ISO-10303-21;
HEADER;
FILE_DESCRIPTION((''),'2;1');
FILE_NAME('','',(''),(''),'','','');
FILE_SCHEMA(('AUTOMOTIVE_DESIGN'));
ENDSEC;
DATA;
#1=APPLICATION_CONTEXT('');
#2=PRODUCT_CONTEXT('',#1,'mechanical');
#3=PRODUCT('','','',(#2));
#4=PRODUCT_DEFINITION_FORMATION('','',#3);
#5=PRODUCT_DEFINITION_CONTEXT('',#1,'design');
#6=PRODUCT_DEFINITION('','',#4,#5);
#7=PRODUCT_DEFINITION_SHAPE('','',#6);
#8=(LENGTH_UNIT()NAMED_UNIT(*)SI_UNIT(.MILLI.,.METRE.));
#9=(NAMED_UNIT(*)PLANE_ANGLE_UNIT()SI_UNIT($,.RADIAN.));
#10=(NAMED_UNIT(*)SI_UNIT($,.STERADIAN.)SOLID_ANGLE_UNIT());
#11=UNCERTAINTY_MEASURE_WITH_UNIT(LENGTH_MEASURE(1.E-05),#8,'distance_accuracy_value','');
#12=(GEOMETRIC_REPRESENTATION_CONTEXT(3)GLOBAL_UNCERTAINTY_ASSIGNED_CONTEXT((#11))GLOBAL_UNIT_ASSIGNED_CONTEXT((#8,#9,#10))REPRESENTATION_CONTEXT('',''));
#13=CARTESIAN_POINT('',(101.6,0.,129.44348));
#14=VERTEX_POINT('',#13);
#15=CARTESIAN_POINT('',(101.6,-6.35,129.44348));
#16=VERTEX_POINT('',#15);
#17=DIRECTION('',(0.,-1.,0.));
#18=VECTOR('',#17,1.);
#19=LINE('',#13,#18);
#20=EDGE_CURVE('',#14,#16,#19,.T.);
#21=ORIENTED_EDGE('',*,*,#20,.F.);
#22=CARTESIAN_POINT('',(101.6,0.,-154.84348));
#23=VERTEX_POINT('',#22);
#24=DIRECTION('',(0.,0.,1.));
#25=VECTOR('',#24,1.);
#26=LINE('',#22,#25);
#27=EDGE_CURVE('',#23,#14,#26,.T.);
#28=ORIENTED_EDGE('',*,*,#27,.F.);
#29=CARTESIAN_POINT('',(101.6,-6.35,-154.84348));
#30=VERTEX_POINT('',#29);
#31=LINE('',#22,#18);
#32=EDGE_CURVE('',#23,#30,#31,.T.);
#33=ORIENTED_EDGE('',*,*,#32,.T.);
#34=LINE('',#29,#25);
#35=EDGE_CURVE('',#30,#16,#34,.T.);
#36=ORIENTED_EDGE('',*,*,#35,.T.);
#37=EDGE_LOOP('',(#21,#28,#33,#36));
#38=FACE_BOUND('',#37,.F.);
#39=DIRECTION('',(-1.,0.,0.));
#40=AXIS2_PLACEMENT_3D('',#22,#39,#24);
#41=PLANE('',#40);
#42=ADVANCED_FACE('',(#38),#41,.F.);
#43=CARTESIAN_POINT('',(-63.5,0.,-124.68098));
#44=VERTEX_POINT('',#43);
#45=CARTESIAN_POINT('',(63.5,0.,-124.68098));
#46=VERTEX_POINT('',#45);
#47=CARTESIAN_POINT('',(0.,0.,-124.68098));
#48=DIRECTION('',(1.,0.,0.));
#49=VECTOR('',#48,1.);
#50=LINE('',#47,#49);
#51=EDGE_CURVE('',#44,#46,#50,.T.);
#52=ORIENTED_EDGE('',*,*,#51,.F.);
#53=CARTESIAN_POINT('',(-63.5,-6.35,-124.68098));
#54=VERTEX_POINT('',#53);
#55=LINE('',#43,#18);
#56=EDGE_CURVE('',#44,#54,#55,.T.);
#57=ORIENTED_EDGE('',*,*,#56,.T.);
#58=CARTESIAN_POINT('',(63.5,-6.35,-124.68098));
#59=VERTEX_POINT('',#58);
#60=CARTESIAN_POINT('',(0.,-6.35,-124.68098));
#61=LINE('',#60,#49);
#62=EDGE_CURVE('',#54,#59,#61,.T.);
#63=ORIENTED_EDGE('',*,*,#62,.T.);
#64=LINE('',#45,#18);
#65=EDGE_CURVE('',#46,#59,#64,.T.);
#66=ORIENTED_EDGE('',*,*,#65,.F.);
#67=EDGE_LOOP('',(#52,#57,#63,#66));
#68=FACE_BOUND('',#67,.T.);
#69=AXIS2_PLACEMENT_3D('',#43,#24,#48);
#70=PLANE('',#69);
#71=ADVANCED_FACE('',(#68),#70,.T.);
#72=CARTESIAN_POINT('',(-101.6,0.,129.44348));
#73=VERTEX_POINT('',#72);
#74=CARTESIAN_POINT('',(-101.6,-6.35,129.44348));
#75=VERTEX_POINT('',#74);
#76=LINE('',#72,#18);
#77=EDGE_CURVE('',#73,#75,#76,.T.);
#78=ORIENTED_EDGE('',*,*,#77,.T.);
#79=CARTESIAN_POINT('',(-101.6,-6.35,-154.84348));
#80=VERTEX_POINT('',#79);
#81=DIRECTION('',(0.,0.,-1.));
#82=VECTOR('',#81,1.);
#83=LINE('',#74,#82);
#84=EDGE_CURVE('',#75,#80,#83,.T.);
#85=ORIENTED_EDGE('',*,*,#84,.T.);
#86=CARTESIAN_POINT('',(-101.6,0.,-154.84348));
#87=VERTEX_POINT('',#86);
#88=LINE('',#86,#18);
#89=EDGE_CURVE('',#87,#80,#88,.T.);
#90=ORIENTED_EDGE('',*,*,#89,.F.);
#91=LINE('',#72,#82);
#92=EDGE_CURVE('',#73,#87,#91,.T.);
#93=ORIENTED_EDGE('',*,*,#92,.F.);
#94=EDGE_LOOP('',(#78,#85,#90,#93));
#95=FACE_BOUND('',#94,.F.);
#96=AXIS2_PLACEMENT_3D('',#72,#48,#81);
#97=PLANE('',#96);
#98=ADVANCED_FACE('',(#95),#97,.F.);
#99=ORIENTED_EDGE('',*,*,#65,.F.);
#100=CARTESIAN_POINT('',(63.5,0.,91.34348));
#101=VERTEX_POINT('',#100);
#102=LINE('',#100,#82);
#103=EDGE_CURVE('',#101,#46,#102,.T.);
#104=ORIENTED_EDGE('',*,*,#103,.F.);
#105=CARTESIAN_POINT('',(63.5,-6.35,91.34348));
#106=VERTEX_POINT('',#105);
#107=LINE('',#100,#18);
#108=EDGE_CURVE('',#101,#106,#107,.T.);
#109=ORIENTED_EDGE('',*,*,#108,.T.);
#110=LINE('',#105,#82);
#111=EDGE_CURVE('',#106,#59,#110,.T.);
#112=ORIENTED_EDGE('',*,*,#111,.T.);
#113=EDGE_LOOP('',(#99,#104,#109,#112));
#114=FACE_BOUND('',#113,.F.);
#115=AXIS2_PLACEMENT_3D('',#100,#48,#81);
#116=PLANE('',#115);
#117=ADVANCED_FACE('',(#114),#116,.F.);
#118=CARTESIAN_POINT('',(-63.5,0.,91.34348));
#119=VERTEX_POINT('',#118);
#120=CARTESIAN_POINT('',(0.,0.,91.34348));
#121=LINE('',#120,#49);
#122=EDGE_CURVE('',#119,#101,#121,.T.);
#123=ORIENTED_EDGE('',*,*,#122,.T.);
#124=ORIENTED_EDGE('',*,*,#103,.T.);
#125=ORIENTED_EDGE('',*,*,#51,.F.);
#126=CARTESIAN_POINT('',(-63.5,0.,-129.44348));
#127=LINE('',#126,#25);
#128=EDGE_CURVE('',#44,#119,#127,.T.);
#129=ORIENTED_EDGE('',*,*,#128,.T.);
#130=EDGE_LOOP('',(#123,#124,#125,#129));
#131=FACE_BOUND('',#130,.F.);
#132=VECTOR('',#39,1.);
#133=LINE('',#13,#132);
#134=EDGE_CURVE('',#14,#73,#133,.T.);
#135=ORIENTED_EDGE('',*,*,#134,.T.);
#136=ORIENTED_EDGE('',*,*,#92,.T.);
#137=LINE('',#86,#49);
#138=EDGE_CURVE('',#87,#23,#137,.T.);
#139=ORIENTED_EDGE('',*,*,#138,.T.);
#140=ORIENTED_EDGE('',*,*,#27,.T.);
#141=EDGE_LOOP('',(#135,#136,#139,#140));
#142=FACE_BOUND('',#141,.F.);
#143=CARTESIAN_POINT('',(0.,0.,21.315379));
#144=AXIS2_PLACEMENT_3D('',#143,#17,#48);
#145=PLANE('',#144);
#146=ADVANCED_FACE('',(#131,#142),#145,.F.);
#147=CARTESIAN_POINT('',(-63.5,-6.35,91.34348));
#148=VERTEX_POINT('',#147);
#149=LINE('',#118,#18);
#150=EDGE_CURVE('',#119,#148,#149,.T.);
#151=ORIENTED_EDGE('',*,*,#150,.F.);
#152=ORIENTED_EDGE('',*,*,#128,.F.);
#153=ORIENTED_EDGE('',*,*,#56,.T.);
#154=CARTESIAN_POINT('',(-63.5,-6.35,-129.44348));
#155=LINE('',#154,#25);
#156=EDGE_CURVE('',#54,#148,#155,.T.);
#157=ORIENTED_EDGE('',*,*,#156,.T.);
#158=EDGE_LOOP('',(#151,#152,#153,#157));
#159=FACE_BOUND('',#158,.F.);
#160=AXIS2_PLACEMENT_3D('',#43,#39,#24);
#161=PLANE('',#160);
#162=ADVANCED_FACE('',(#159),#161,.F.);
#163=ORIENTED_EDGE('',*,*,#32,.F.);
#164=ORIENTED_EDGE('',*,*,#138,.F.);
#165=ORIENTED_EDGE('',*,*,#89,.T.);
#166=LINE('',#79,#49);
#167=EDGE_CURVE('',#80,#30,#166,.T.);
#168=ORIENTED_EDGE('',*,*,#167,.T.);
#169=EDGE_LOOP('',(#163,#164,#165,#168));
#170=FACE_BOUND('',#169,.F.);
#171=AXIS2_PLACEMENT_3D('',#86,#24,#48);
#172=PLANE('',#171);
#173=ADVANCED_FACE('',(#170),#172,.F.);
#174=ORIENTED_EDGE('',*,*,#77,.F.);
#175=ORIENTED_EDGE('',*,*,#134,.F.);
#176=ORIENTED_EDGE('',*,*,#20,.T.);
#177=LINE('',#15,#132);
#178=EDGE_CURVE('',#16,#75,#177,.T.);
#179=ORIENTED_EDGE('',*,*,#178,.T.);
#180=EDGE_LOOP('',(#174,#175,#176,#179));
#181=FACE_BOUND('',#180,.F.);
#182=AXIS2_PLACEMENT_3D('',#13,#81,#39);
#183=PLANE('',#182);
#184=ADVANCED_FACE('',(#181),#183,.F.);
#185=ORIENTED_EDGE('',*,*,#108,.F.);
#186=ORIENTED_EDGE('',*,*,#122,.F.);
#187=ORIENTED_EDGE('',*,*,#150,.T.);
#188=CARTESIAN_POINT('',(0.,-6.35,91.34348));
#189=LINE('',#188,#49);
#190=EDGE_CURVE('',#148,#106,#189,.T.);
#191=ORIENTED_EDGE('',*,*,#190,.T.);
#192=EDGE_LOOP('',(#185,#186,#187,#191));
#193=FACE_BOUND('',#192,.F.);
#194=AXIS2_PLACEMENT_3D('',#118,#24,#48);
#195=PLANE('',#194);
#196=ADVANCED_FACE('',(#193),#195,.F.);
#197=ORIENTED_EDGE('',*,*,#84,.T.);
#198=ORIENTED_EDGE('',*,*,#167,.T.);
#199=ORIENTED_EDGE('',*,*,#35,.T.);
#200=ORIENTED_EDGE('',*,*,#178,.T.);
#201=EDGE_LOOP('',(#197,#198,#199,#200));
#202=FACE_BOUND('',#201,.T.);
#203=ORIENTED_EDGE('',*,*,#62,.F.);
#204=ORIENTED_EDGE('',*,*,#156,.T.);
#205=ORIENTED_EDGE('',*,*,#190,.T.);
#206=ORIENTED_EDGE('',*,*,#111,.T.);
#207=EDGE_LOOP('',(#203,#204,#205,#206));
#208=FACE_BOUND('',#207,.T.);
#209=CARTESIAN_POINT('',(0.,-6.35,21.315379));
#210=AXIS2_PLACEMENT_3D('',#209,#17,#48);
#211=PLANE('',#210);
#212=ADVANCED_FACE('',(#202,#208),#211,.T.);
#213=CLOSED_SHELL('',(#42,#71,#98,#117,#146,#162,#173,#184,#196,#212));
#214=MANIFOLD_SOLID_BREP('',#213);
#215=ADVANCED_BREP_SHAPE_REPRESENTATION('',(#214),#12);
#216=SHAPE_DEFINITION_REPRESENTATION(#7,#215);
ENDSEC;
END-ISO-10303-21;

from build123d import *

# Parameters (mm, degrees)
F0_W     = 127
F0_H     = 12.7
F0_H_2   = 4.7625
F1_DEPTH = 6.35


with BuildPart() as f1:
    # F0 (on Front) → F1 (new body)
    with BuildSketch(Plane.XZ):
        Polygon((76.2, -129.44348), (101.6, -129.44348), (101.6, 129.44348), (-101.6, 129.44348), (-101.6, -129.44348), (-76.2, -129.44348), (-76.2, 104.04348), (-63.5, 104.04348), (63.5, 104.04348), (76.2, 104.04348), align=None)
        Polygon((101.6, -154.84348), (101.6, -129.44348), (76.2, -129.44348), (63.5, -129.44348), (-63.5, -129.44348), (-76.2, -129.44348), (-101.6, -129.44348), (-101.6, -154.84348), align=None)
        with Locations((0, 97.69348)):
            Rectangle(F0_W, F0_H)
        Polygon((-76.2, -129.44348), (-63.5, -129.44348), (-63.5, -124.68098), (-63.5, 91.34348), (-63.5, 104.04348), (-76.2, 104.04348), align=None)
        Polygon((63.5, -129.44348), (76.2, -129.44348), (76.2, 104.04348), (63.5, 104.04348), (63.5, 91.34348), (63.5, -124.68098), align=None)
        with Locations((0, -127.06223)):
            Rectangle(F0_W, F0_H_2)
    extrude(amount=F1_DEPTH)


solid = f1.part
